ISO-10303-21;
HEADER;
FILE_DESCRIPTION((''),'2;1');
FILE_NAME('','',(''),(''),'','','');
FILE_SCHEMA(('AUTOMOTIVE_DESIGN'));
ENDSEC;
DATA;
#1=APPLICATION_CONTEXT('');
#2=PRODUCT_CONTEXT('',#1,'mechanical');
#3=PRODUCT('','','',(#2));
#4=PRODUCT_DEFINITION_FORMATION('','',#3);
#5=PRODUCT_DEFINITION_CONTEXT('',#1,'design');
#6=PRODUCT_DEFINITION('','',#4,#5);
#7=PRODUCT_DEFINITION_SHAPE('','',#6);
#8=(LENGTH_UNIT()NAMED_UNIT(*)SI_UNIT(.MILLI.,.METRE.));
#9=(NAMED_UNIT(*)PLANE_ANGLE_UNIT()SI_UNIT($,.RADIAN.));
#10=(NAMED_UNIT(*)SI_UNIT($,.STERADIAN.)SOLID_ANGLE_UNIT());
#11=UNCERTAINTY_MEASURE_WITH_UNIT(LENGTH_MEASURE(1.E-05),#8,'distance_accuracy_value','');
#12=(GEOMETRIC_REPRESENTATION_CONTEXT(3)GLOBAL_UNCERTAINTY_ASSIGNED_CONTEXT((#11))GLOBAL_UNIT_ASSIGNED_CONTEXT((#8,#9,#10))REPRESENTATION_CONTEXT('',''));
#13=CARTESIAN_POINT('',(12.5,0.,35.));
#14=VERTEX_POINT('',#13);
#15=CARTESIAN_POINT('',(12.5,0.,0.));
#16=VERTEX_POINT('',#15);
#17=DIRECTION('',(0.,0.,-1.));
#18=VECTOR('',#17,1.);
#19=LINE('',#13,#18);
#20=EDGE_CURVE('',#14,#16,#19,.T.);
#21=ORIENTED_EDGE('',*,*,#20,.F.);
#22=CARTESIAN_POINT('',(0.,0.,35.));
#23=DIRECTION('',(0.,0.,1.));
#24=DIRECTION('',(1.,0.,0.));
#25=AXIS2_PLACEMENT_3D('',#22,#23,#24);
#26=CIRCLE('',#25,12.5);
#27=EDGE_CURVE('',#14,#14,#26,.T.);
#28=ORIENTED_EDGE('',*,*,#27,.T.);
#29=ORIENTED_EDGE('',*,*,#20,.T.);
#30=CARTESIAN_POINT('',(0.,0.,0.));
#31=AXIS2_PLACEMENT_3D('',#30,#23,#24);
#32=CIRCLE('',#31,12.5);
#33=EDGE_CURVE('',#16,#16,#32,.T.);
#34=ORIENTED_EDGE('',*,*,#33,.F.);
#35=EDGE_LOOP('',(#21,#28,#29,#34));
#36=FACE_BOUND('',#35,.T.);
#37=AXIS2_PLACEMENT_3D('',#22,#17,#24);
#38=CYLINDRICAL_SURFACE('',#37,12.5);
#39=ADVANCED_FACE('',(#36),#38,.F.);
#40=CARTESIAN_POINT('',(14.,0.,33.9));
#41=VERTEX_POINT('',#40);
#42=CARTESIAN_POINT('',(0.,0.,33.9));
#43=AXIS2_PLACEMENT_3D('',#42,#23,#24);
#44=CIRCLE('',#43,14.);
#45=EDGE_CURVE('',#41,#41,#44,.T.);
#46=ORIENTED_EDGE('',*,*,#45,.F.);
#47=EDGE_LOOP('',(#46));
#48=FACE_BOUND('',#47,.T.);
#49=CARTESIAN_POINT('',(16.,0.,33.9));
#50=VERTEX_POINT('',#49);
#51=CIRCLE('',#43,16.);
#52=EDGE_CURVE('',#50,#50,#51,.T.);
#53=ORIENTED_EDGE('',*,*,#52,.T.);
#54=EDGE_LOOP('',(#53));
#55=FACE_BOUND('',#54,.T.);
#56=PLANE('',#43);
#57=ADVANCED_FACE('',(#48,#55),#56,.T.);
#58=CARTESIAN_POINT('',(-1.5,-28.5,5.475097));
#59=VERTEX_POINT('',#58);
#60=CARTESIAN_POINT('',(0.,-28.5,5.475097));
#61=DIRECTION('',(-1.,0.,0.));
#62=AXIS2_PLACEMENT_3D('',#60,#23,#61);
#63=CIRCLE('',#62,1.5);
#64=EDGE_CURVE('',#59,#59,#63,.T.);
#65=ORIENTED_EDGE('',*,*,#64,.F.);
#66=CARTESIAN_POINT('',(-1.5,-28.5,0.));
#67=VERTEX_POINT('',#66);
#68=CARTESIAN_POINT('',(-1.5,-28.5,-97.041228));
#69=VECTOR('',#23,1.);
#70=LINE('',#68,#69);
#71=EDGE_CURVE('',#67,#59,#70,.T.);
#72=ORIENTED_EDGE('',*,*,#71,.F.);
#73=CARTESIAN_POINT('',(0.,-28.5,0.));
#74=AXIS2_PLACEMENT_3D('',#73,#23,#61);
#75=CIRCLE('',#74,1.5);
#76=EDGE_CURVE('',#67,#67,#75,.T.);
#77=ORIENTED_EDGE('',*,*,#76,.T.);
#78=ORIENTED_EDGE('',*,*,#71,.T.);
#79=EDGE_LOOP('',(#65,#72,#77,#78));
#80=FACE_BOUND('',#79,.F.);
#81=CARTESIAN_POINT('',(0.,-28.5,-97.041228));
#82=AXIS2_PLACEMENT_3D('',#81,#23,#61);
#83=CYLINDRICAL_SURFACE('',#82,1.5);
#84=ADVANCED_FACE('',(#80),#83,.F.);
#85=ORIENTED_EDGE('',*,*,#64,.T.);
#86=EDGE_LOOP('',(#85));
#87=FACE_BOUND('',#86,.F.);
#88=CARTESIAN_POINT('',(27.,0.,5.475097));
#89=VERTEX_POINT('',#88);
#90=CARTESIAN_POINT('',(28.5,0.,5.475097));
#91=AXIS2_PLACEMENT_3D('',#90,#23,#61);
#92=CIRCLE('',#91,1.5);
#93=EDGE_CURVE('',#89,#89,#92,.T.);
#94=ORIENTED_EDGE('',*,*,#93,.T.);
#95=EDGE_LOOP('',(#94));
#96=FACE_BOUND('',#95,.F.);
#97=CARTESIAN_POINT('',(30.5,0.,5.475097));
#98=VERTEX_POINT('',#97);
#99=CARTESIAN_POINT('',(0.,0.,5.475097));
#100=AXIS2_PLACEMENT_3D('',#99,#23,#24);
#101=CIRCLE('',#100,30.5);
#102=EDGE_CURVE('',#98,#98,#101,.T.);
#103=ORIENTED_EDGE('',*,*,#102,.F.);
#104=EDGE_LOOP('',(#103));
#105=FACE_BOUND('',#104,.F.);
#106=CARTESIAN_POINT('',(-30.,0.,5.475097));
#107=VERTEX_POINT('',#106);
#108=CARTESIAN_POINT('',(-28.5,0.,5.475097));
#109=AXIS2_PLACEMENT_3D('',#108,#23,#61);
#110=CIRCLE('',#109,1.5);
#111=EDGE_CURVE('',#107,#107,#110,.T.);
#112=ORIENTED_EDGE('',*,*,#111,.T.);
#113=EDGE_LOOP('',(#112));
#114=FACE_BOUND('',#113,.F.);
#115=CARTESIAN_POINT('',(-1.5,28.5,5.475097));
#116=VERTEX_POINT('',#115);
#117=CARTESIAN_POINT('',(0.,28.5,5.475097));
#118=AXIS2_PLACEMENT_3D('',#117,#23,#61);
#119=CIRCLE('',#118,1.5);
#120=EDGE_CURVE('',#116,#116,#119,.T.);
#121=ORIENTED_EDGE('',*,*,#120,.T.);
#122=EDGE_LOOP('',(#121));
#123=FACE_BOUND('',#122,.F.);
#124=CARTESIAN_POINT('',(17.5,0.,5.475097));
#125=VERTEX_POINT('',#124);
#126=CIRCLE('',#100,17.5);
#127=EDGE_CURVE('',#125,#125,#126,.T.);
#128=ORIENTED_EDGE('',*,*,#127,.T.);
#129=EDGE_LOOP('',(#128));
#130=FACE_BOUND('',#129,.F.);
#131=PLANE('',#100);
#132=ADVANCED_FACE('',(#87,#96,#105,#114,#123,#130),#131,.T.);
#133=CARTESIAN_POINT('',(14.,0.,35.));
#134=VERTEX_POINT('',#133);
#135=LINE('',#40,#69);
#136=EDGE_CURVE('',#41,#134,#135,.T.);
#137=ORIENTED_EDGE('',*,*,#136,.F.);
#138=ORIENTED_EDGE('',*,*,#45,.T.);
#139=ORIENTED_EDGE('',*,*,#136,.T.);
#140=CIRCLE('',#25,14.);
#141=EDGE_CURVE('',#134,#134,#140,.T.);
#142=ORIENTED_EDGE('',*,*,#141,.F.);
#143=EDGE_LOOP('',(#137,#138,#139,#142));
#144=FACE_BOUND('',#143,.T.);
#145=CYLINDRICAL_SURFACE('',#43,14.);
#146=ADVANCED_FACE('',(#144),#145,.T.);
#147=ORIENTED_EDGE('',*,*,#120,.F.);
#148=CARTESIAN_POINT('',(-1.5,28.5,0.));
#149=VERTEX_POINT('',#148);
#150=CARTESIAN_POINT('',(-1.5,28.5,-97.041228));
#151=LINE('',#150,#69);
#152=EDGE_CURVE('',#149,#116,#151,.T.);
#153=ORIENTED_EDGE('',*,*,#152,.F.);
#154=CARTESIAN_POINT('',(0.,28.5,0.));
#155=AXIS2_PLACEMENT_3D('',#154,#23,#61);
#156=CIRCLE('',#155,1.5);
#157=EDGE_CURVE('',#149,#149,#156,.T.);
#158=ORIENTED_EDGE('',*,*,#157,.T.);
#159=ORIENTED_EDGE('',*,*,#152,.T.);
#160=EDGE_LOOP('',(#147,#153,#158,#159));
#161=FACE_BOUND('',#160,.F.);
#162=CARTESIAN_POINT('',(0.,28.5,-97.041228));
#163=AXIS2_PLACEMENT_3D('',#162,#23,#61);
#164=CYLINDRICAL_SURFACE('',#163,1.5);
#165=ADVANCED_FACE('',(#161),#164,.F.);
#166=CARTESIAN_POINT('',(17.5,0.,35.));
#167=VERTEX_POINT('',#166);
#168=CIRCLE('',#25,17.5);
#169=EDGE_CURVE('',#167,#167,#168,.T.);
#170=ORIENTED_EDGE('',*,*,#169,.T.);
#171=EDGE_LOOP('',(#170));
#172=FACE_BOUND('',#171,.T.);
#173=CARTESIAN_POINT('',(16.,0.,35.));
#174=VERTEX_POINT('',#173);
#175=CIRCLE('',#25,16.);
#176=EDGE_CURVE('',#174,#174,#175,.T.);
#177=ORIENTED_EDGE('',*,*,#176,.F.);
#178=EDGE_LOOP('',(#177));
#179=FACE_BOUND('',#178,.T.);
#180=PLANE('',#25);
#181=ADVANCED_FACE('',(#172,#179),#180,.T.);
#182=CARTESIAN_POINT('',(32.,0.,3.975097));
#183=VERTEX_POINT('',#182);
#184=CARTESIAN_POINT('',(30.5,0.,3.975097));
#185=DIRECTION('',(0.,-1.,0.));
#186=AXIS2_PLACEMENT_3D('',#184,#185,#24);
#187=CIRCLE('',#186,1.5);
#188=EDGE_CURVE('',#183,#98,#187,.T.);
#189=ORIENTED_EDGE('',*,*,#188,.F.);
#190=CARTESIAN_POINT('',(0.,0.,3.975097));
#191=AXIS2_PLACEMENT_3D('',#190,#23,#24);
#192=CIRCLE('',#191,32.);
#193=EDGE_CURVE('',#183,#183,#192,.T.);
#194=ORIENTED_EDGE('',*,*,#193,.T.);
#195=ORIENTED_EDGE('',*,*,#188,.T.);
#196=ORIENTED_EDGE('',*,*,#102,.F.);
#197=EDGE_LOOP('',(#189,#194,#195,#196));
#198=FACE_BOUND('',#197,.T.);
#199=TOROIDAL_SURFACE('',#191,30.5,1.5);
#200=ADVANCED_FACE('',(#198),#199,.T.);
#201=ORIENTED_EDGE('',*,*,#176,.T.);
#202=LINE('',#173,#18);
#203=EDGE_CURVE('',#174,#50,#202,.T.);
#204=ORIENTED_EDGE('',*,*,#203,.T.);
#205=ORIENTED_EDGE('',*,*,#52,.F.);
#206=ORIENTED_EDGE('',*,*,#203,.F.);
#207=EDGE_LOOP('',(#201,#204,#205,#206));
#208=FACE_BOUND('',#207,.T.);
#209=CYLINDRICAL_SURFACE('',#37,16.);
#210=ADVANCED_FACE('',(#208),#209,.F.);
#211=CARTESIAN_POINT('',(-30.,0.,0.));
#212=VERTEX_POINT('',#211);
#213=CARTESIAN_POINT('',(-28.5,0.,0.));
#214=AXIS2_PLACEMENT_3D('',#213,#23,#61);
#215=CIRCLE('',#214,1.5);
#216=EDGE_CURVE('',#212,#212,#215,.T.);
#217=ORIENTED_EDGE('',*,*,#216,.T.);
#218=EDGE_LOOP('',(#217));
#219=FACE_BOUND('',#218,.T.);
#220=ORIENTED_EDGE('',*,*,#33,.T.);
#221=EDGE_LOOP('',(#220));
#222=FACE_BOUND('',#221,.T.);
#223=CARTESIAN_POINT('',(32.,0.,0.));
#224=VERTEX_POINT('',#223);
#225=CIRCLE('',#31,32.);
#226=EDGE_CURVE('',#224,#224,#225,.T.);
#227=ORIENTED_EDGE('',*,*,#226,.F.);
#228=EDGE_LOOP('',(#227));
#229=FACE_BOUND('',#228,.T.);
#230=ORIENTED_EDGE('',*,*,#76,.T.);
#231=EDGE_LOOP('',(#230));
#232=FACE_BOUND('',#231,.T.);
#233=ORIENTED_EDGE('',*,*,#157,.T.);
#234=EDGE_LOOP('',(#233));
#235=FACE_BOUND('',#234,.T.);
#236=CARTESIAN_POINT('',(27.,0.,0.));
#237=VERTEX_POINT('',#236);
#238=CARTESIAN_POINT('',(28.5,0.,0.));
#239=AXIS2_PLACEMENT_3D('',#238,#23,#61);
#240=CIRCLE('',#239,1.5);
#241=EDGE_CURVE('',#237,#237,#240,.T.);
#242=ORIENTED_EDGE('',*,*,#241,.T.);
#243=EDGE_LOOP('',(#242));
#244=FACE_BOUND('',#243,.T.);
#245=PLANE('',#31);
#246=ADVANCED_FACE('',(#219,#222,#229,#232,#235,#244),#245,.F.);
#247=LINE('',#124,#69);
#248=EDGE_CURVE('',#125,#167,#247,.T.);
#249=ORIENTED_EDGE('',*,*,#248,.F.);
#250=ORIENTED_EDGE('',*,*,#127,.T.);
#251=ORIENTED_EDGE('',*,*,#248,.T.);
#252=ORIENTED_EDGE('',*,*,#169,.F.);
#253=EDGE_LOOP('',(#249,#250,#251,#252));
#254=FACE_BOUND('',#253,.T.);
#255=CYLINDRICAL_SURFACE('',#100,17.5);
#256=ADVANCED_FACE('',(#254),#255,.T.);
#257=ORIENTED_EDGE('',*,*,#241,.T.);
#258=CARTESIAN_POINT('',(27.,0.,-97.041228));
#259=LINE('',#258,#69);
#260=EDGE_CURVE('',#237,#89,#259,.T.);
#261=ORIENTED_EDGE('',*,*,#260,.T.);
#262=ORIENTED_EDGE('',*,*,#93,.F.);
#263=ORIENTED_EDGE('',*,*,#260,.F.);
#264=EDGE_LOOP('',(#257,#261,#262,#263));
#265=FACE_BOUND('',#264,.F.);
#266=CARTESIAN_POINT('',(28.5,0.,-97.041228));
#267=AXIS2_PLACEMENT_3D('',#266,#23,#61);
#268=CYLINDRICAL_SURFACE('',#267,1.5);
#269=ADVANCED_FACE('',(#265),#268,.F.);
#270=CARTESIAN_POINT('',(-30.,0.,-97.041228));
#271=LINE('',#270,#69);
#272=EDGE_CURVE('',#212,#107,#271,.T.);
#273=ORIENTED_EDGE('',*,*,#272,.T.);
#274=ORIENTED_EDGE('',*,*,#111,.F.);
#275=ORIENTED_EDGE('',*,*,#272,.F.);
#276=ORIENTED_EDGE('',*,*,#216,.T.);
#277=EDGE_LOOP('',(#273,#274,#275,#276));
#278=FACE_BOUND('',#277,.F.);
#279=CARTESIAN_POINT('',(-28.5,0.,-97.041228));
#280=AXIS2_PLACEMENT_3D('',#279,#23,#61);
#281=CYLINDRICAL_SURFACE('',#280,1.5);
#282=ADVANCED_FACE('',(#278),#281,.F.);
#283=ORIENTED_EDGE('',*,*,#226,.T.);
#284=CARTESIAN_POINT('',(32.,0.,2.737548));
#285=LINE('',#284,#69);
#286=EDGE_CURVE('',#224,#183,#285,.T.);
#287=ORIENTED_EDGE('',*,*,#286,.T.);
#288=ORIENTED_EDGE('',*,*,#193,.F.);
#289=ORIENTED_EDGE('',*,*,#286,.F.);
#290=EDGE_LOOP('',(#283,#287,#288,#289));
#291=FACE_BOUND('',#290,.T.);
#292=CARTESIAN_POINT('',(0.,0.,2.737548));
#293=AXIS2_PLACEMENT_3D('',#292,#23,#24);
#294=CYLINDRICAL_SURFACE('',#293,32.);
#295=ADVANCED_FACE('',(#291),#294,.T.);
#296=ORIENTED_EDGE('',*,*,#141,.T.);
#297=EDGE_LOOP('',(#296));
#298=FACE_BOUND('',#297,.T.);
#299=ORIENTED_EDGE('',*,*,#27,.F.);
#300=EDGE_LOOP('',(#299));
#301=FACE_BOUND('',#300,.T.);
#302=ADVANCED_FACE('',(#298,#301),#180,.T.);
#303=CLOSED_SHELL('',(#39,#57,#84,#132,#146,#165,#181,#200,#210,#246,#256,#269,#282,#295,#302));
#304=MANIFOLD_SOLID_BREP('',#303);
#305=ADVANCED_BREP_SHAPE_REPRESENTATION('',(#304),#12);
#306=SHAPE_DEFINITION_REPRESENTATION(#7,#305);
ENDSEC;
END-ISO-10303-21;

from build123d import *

# Parameters (mm, degrees)
F0_W   = 14.5
F0_H   = 5.4750965592
F0_W_2 = 5
F3_D   = 3
F4_R   = 1.5


with BuildPart() as f1:
    # F0 (on Front) → F1 (revolve)
    with BuildSketch(Plane.XZ):
        with Locations((24.75, 2.7375482796)):
            Rectangle(F0_W, F0_H)
        Polygon((12.5, 35), (12.5, 5.4750965592), (17.5, 5.4750965592), (17.5, 35), (16, 35), (16, 33.9), (14, 33.9), (14, 35), align=None)
        with Locations((15, 2.7375482796)):
            Rectangle(F0_W_2, F0_H)
    revolve(axis=Axis((0, 0, 26.583340019), (0, 0, 1)))

    # F3 (through all)
    with Locations(Plane(origin=(0, 0, 0), x_dir=(1, 0, 0), z_dir=(0, 0, -1))):
        with Locations((0, -28.5), (28.5, 0), (0, 28.5), (-28.5, 0)):
            Hole(F3_D / 2)

    # F4
    f4_edges = [f1.edges().sort_by_distance(p)[0] for p in [
        (-32, 0, 5.475097),
    ]]
    fillet(f4_edges, radius=F4_R)


solid = f1.part
